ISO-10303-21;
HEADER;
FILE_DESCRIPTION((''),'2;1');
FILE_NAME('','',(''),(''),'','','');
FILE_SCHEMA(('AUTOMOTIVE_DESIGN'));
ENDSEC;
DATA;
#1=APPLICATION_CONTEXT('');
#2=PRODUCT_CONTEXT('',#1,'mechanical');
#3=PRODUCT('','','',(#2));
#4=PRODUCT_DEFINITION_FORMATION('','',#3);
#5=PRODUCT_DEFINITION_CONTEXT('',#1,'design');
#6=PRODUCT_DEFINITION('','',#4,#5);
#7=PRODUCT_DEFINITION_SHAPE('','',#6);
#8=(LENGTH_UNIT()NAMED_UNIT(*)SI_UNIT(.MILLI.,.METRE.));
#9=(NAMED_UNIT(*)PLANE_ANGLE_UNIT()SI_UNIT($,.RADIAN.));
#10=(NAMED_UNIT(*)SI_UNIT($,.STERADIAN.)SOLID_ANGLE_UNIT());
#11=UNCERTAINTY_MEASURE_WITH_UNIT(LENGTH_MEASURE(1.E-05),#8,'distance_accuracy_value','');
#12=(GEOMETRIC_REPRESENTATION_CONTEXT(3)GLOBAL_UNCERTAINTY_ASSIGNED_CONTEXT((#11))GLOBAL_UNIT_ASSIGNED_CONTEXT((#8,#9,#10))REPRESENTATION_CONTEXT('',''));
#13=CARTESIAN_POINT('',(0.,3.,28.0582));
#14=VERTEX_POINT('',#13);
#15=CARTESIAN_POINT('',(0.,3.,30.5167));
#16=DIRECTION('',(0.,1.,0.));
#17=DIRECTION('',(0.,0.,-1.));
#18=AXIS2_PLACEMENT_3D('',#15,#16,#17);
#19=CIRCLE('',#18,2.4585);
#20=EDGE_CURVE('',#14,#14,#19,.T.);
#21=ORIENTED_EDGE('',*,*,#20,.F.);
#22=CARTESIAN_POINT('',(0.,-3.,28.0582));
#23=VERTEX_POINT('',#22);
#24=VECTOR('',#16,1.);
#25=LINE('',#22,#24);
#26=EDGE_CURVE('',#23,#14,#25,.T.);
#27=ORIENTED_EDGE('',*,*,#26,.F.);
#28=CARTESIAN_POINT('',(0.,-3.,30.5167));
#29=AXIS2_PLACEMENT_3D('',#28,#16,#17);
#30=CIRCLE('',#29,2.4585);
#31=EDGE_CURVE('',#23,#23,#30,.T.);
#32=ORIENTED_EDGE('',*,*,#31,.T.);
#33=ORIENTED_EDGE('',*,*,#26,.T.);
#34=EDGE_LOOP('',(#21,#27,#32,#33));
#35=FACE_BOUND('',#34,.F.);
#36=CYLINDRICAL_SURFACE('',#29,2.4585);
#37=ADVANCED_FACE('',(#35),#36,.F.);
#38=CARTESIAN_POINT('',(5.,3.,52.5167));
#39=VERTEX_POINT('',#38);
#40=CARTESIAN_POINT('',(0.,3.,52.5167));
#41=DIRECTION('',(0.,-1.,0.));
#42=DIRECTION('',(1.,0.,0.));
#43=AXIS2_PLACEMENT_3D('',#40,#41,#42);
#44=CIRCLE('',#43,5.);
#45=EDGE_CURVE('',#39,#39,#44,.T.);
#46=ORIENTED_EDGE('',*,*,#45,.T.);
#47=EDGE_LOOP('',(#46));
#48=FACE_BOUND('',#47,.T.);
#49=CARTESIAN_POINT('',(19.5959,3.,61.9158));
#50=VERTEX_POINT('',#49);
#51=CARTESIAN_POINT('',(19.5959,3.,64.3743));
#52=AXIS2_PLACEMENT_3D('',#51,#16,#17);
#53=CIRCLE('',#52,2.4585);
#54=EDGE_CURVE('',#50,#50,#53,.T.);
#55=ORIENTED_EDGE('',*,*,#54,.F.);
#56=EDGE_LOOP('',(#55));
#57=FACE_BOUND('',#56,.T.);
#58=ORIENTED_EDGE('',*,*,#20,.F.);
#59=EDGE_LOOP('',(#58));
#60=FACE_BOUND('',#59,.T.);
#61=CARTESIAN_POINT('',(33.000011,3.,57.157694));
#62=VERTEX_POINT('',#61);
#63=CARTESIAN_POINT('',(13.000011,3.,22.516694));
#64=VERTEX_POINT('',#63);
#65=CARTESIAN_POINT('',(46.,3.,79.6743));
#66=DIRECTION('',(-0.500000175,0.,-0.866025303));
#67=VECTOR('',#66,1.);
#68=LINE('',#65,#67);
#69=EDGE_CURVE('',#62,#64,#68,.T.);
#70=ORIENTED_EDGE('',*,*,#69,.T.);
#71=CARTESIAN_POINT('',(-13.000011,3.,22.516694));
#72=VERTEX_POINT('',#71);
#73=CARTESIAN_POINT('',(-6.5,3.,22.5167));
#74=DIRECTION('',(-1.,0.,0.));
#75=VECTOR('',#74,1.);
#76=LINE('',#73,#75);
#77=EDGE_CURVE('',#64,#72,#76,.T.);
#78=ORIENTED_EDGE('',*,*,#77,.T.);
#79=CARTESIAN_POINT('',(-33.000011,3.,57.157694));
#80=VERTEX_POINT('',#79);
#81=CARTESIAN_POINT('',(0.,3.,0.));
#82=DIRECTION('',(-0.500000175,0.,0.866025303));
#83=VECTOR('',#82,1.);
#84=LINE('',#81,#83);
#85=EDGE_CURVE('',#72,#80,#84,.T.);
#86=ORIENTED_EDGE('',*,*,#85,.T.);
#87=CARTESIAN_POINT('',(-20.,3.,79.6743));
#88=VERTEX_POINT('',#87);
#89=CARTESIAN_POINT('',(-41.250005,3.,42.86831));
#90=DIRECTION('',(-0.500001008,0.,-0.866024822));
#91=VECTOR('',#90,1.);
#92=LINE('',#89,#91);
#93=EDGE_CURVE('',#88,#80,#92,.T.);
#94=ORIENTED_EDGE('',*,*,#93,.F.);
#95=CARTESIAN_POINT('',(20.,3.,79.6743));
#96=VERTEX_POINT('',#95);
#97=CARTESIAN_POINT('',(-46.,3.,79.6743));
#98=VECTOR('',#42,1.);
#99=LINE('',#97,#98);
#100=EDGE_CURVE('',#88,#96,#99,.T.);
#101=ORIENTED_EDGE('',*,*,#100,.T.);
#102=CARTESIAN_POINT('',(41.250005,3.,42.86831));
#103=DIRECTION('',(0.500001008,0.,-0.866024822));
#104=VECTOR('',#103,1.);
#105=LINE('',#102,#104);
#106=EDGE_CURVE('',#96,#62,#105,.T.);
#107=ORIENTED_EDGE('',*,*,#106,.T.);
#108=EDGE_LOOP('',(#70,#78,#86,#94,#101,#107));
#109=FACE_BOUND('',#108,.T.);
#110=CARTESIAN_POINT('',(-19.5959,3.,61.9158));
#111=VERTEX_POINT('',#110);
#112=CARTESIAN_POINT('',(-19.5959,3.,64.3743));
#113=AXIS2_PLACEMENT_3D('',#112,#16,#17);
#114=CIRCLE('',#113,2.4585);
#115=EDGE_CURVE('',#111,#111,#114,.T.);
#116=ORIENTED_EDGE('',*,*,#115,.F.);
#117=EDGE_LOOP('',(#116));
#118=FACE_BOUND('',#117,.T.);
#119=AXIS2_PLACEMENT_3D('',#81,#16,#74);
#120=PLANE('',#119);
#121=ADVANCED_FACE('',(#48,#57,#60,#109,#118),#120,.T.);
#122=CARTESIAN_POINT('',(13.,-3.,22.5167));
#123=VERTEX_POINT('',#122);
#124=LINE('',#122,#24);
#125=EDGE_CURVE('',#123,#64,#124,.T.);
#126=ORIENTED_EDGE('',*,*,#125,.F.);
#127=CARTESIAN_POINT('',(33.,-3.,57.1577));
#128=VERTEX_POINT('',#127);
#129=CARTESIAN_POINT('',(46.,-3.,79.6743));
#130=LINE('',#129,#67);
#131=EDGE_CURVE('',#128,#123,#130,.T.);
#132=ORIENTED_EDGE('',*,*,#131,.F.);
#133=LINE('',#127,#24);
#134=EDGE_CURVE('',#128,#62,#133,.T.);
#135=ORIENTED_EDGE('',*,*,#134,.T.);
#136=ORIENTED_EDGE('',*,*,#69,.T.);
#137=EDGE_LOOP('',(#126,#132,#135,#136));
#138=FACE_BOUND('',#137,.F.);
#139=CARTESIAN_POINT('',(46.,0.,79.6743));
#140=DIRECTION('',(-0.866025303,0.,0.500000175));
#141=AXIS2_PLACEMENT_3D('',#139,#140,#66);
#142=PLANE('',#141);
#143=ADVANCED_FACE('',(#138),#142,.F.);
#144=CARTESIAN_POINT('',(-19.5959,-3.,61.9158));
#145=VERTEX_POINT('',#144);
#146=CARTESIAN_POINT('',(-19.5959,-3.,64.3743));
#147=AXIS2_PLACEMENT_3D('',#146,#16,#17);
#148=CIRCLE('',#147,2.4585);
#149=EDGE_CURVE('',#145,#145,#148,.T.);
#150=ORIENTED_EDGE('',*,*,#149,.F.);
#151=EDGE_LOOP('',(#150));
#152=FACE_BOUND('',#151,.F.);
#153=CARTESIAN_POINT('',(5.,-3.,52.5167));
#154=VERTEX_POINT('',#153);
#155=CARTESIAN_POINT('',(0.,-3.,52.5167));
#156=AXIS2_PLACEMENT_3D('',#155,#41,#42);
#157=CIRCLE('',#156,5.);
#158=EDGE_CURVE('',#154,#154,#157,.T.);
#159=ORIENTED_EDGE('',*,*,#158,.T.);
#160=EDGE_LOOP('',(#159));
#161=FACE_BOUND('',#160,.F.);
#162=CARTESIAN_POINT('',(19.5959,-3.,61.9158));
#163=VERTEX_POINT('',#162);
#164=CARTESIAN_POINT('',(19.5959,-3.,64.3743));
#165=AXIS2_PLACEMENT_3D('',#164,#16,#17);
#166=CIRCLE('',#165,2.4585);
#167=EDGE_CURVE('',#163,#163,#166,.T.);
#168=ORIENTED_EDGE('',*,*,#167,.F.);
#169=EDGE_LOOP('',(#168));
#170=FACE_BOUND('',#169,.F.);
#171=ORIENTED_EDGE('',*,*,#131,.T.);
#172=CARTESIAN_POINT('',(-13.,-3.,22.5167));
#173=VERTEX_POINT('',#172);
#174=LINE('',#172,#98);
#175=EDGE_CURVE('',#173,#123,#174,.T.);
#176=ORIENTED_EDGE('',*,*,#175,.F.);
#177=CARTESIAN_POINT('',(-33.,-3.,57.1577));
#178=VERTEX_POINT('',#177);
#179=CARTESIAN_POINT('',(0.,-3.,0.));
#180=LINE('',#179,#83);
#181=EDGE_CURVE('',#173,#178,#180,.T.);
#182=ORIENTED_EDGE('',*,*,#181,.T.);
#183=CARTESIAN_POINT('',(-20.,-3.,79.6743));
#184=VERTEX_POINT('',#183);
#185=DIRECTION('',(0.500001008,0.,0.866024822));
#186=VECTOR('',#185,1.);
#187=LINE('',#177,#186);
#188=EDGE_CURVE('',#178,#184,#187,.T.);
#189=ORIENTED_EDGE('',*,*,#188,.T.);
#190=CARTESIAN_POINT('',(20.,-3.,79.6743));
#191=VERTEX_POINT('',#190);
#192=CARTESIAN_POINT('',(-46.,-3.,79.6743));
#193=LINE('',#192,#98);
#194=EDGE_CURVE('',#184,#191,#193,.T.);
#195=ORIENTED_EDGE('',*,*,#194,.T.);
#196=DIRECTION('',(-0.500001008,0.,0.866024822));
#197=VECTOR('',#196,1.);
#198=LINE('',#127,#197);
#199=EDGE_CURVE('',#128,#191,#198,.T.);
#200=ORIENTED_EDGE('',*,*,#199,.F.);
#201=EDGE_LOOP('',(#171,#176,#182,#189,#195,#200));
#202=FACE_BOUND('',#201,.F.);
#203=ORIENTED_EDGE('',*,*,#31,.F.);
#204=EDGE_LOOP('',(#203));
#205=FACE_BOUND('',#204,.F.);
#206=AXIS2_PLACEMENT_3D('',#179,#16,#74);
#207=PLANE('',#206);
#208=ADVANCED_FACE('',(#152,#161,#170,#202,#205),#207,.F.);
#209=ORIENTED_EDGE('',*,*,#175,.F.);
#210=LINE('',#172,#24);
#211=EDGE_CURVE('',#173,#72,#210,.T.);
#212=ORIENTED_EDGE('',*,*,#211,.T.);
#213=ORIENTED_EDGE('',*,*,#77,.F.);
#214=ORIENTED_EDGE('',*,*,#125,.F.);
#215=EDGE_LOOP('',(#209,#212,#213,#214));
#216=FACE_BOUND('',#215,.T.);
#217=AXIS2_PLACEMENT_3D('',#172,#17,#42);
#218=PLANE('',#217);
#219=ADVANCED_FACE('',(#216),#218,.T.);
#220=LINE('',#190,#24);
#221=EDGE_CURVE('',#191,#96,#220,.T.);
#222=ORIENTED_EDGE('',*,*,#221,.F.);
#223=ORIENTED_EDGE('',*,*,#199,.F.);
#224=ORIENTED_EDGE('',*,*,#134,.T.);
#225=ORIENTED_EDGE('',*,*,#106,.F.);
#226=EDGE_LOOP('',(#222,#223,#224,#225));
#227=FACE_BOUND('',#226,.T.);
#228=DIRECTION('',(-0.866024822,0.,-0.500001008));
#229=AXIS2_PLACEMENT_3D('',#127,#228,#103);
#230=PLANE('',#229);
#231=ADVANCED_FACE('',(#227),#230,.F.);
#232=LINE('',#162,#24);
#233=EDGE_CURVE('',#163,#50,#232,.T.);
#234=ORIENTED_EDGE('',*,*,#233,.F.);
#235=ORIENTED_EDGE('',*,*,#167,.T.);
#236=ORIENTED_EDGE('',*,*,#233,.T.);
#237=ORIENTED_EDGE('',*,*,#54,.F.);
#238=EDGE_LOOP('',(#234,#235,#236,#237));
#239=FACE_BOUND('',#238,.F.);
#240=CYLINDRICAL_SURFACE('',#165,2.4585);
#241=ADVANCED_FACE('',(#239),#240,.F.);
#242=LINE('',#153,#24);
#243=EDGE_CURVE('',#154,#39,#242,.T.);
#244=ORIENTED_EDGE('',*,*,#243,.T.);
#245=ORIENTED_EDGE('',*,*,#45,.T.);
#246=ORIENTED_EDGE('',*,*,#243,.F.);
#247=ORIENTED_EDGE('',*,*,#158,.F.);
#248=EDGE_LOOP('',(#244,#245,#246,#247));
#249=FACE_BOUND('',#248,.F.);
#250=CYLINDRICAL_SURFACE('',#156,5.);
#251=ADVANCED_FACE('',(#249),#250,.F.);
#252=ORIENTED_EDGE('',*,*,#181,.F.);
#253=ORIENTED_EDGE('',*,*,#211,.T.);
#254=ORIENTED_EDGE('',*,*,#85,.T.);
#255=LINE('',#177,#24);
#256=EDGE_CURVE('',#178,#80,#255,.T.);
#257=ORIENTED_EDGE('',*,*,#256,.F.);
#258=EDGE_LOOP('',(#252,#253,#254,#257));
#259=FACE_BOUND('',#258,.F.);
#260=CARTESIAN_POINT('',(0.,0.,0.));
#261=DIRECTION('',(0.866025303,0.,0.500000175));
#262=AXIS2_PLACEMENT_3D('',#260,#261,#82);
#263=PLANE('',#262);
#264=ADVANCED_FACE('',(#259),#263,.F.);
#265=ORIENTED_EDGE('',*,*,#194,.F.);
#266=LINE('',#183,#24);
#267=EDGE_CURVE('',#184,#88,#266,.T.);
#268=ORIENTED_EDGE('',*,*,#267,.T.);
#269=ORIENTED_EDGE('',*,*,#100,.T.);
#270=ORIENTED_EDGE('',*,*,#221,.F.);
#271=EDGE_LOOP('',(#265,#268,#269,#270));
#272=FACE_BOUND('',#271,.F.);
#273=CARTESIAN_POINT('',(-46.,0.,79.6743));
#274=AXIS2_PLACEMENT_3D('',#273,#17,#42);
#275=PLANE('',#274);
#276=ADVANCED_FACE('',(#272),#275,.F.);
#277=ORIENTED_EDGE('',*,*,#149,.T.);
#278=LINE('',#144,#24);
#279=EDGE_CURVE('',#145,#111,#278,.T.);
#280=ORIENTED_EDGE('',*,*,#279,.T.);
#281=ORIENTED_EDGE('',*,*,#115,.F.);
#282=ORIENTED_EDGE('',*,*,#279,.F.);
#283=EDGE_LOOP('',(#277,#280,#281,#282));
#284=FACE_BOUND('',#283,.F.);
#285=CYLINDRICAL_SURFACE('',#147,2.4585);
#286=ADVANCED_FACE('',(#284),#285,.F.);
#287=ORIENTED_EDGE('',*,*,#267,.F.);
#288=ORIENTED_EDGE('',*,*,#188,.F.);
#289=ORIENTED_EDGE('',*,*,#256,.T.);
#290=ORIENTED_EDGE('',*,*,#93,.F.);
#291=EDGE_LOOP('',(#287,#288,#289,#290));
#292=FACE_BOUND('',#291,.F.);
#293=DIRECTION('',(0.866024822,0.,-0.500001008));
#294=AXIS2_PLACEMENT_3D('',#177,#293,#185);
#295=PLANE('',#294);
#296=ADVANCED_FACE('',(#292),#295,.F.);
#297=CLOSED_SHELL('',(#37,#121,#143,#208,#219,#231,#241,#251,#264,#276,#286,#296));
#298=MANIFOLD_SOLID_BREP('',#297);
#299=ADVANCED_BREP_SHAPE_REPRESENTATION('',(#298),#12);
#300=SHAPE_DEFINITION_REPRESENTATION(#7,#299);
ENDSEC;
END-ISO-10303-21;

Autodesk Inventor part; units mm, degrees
ref_plane "YZ Plane" through (0, 0, 0) normal (1, 0, 0) x (0, 1, 0)
ref_plane "XZ Plane" through (0, 0, 0) normal (0, 1, 0) x (-1, 0, 0)
ref_plane "XY Plane" through (0, 0, 0) normal (0, 0, 1) x (1, 0, 0)
sketch "Skizze1" plane through (0, 0, 0) normal (0, 1, 0) x (-1, 0, 0)
  line L0 (0, 0) -> (46, 79.6743)
  line L1 (46, 79.6743) -> (-46, 79.6743)
  line L2 (-46, 79.6743) -> (0, 0)
  line L3 (0, 0) -> (0, 79.6743) construction
  line L4 (-46, 79.6743) -> (23, 39.8372) construction
  line L5 (46, 79.6743) -> (-23, 39.8372) construction
  dimension "d0" = 92
extrude "Extrusion1" add sketch "Skizze1" along normal mid plane 6
sketch "Skizze2" plane through (0, -3, 0) normal (0, -1, 0) x (1, 0, 0)
  line L0 (46, 79.6743) -> (-46, 79.6743) projected
  line L1 (-46, 79.6743) -> (0, 0) projected
  line L2 (0, 0) -> (46, 79.6743) projected
  line L3 (0, 0) -> (0, 0) construction
  line L4 (0, 0) -> (0, 79.6743) construction
  line L5 (-46, 79.6743) -> (0, 0) projected
  line L6 (46, 79.6743) -> (-46, 79.6743) projected
  line L7 (-23, 39.8372) -> (46, 79.6743) construction
  line L8 (23, 39.8372) -> (-46, 79.6743) construction
  line L9 (-33, 57.1577) -> (-20, 79.6743)
  point P0 (-33, 57.1577)
  point P1 (-20, 79.6743)
  point P2 (-26.5, 68.416)
  dimension "d31" = 26
extrude "Extrusion6" cut sketch "Skizze2" against normal blind 10 contours L9 L1 L0
mirror "Spiegeln1" about plane through (0, 0, 0) normal (1, 0, 0) of "Extrusion6"
sketch "Skizze7" plane through (0, -3, 0) normal (0, -1, 0) x (1, 0, 0)
  line L0 (0, 0) -> (-33, 57.1577) projected
  line L1 (-13, 22.5167) -> (13, 22.5167)
  line L2 (33, 57.1577) -> (0, 0) projected
  dimension "d38" = 26
extrude "Extrusion7" cut sketch "Skizze7" against normal blind 10
sketch "Skizze3" plane through (0, -3, 0) normal (0, -1, 0) x (1, 0, 0)
  line L0 (46, 79.6743) -> (-46, 79.6743) projected
  line L1 (-13, 22.5167) -> (13, 22.5167) projected
  line L2 (-20, 79.6743) -> (-33, 57.1577) projected
  line L3 (33, 57.1577) -> (20, 79.6743) projected
  point P0 (0, 0)
  point P1 (-19.5959, 64.3743)
  point P2 (19.5959, 64.3743)
  point P3 (0, 30.5167)
  point P4 (33.8756, 72.6743)
  point P5 (-26.5, 68.416)
  dimension "d41" = 8
  dimension "d42" = 8
  dimension "d43" = 8
  dimension "d44" = 15.3
hole "Bohrung1" at (-19.5959, -3, 64.3743) at (19.5959, -3, 64.3743) at (0, -3, 30.5167) direction (0, 1, 0) diameter 4.917 depth 6 thread size "M6x1" class "6H" standard "ISO Metric profile"
sketch "Skizze8" plane through (0, -3, 0) normal (0, -1, 0) x (1, 0, 0)
  circle A0 centre (0, 52.5167) radius 5
  line L0 (-13, 22.5167) -> (13, 22.5167) projected
  point P0 (0, 0)
  point P1 (0, 22.5167)
  dimension "d45" = 30
  dimension "d46" = 10
extrude "Extrusion8" cut sketch "Skizze8" against normal blind 10
equation "\"d42\" = d41"
equation "\"d43\" = d42"
equation "\"d9\" = d8"
equation "\"d8\" = 8"
properties part number "Plate" material "Aluminium 6061"
